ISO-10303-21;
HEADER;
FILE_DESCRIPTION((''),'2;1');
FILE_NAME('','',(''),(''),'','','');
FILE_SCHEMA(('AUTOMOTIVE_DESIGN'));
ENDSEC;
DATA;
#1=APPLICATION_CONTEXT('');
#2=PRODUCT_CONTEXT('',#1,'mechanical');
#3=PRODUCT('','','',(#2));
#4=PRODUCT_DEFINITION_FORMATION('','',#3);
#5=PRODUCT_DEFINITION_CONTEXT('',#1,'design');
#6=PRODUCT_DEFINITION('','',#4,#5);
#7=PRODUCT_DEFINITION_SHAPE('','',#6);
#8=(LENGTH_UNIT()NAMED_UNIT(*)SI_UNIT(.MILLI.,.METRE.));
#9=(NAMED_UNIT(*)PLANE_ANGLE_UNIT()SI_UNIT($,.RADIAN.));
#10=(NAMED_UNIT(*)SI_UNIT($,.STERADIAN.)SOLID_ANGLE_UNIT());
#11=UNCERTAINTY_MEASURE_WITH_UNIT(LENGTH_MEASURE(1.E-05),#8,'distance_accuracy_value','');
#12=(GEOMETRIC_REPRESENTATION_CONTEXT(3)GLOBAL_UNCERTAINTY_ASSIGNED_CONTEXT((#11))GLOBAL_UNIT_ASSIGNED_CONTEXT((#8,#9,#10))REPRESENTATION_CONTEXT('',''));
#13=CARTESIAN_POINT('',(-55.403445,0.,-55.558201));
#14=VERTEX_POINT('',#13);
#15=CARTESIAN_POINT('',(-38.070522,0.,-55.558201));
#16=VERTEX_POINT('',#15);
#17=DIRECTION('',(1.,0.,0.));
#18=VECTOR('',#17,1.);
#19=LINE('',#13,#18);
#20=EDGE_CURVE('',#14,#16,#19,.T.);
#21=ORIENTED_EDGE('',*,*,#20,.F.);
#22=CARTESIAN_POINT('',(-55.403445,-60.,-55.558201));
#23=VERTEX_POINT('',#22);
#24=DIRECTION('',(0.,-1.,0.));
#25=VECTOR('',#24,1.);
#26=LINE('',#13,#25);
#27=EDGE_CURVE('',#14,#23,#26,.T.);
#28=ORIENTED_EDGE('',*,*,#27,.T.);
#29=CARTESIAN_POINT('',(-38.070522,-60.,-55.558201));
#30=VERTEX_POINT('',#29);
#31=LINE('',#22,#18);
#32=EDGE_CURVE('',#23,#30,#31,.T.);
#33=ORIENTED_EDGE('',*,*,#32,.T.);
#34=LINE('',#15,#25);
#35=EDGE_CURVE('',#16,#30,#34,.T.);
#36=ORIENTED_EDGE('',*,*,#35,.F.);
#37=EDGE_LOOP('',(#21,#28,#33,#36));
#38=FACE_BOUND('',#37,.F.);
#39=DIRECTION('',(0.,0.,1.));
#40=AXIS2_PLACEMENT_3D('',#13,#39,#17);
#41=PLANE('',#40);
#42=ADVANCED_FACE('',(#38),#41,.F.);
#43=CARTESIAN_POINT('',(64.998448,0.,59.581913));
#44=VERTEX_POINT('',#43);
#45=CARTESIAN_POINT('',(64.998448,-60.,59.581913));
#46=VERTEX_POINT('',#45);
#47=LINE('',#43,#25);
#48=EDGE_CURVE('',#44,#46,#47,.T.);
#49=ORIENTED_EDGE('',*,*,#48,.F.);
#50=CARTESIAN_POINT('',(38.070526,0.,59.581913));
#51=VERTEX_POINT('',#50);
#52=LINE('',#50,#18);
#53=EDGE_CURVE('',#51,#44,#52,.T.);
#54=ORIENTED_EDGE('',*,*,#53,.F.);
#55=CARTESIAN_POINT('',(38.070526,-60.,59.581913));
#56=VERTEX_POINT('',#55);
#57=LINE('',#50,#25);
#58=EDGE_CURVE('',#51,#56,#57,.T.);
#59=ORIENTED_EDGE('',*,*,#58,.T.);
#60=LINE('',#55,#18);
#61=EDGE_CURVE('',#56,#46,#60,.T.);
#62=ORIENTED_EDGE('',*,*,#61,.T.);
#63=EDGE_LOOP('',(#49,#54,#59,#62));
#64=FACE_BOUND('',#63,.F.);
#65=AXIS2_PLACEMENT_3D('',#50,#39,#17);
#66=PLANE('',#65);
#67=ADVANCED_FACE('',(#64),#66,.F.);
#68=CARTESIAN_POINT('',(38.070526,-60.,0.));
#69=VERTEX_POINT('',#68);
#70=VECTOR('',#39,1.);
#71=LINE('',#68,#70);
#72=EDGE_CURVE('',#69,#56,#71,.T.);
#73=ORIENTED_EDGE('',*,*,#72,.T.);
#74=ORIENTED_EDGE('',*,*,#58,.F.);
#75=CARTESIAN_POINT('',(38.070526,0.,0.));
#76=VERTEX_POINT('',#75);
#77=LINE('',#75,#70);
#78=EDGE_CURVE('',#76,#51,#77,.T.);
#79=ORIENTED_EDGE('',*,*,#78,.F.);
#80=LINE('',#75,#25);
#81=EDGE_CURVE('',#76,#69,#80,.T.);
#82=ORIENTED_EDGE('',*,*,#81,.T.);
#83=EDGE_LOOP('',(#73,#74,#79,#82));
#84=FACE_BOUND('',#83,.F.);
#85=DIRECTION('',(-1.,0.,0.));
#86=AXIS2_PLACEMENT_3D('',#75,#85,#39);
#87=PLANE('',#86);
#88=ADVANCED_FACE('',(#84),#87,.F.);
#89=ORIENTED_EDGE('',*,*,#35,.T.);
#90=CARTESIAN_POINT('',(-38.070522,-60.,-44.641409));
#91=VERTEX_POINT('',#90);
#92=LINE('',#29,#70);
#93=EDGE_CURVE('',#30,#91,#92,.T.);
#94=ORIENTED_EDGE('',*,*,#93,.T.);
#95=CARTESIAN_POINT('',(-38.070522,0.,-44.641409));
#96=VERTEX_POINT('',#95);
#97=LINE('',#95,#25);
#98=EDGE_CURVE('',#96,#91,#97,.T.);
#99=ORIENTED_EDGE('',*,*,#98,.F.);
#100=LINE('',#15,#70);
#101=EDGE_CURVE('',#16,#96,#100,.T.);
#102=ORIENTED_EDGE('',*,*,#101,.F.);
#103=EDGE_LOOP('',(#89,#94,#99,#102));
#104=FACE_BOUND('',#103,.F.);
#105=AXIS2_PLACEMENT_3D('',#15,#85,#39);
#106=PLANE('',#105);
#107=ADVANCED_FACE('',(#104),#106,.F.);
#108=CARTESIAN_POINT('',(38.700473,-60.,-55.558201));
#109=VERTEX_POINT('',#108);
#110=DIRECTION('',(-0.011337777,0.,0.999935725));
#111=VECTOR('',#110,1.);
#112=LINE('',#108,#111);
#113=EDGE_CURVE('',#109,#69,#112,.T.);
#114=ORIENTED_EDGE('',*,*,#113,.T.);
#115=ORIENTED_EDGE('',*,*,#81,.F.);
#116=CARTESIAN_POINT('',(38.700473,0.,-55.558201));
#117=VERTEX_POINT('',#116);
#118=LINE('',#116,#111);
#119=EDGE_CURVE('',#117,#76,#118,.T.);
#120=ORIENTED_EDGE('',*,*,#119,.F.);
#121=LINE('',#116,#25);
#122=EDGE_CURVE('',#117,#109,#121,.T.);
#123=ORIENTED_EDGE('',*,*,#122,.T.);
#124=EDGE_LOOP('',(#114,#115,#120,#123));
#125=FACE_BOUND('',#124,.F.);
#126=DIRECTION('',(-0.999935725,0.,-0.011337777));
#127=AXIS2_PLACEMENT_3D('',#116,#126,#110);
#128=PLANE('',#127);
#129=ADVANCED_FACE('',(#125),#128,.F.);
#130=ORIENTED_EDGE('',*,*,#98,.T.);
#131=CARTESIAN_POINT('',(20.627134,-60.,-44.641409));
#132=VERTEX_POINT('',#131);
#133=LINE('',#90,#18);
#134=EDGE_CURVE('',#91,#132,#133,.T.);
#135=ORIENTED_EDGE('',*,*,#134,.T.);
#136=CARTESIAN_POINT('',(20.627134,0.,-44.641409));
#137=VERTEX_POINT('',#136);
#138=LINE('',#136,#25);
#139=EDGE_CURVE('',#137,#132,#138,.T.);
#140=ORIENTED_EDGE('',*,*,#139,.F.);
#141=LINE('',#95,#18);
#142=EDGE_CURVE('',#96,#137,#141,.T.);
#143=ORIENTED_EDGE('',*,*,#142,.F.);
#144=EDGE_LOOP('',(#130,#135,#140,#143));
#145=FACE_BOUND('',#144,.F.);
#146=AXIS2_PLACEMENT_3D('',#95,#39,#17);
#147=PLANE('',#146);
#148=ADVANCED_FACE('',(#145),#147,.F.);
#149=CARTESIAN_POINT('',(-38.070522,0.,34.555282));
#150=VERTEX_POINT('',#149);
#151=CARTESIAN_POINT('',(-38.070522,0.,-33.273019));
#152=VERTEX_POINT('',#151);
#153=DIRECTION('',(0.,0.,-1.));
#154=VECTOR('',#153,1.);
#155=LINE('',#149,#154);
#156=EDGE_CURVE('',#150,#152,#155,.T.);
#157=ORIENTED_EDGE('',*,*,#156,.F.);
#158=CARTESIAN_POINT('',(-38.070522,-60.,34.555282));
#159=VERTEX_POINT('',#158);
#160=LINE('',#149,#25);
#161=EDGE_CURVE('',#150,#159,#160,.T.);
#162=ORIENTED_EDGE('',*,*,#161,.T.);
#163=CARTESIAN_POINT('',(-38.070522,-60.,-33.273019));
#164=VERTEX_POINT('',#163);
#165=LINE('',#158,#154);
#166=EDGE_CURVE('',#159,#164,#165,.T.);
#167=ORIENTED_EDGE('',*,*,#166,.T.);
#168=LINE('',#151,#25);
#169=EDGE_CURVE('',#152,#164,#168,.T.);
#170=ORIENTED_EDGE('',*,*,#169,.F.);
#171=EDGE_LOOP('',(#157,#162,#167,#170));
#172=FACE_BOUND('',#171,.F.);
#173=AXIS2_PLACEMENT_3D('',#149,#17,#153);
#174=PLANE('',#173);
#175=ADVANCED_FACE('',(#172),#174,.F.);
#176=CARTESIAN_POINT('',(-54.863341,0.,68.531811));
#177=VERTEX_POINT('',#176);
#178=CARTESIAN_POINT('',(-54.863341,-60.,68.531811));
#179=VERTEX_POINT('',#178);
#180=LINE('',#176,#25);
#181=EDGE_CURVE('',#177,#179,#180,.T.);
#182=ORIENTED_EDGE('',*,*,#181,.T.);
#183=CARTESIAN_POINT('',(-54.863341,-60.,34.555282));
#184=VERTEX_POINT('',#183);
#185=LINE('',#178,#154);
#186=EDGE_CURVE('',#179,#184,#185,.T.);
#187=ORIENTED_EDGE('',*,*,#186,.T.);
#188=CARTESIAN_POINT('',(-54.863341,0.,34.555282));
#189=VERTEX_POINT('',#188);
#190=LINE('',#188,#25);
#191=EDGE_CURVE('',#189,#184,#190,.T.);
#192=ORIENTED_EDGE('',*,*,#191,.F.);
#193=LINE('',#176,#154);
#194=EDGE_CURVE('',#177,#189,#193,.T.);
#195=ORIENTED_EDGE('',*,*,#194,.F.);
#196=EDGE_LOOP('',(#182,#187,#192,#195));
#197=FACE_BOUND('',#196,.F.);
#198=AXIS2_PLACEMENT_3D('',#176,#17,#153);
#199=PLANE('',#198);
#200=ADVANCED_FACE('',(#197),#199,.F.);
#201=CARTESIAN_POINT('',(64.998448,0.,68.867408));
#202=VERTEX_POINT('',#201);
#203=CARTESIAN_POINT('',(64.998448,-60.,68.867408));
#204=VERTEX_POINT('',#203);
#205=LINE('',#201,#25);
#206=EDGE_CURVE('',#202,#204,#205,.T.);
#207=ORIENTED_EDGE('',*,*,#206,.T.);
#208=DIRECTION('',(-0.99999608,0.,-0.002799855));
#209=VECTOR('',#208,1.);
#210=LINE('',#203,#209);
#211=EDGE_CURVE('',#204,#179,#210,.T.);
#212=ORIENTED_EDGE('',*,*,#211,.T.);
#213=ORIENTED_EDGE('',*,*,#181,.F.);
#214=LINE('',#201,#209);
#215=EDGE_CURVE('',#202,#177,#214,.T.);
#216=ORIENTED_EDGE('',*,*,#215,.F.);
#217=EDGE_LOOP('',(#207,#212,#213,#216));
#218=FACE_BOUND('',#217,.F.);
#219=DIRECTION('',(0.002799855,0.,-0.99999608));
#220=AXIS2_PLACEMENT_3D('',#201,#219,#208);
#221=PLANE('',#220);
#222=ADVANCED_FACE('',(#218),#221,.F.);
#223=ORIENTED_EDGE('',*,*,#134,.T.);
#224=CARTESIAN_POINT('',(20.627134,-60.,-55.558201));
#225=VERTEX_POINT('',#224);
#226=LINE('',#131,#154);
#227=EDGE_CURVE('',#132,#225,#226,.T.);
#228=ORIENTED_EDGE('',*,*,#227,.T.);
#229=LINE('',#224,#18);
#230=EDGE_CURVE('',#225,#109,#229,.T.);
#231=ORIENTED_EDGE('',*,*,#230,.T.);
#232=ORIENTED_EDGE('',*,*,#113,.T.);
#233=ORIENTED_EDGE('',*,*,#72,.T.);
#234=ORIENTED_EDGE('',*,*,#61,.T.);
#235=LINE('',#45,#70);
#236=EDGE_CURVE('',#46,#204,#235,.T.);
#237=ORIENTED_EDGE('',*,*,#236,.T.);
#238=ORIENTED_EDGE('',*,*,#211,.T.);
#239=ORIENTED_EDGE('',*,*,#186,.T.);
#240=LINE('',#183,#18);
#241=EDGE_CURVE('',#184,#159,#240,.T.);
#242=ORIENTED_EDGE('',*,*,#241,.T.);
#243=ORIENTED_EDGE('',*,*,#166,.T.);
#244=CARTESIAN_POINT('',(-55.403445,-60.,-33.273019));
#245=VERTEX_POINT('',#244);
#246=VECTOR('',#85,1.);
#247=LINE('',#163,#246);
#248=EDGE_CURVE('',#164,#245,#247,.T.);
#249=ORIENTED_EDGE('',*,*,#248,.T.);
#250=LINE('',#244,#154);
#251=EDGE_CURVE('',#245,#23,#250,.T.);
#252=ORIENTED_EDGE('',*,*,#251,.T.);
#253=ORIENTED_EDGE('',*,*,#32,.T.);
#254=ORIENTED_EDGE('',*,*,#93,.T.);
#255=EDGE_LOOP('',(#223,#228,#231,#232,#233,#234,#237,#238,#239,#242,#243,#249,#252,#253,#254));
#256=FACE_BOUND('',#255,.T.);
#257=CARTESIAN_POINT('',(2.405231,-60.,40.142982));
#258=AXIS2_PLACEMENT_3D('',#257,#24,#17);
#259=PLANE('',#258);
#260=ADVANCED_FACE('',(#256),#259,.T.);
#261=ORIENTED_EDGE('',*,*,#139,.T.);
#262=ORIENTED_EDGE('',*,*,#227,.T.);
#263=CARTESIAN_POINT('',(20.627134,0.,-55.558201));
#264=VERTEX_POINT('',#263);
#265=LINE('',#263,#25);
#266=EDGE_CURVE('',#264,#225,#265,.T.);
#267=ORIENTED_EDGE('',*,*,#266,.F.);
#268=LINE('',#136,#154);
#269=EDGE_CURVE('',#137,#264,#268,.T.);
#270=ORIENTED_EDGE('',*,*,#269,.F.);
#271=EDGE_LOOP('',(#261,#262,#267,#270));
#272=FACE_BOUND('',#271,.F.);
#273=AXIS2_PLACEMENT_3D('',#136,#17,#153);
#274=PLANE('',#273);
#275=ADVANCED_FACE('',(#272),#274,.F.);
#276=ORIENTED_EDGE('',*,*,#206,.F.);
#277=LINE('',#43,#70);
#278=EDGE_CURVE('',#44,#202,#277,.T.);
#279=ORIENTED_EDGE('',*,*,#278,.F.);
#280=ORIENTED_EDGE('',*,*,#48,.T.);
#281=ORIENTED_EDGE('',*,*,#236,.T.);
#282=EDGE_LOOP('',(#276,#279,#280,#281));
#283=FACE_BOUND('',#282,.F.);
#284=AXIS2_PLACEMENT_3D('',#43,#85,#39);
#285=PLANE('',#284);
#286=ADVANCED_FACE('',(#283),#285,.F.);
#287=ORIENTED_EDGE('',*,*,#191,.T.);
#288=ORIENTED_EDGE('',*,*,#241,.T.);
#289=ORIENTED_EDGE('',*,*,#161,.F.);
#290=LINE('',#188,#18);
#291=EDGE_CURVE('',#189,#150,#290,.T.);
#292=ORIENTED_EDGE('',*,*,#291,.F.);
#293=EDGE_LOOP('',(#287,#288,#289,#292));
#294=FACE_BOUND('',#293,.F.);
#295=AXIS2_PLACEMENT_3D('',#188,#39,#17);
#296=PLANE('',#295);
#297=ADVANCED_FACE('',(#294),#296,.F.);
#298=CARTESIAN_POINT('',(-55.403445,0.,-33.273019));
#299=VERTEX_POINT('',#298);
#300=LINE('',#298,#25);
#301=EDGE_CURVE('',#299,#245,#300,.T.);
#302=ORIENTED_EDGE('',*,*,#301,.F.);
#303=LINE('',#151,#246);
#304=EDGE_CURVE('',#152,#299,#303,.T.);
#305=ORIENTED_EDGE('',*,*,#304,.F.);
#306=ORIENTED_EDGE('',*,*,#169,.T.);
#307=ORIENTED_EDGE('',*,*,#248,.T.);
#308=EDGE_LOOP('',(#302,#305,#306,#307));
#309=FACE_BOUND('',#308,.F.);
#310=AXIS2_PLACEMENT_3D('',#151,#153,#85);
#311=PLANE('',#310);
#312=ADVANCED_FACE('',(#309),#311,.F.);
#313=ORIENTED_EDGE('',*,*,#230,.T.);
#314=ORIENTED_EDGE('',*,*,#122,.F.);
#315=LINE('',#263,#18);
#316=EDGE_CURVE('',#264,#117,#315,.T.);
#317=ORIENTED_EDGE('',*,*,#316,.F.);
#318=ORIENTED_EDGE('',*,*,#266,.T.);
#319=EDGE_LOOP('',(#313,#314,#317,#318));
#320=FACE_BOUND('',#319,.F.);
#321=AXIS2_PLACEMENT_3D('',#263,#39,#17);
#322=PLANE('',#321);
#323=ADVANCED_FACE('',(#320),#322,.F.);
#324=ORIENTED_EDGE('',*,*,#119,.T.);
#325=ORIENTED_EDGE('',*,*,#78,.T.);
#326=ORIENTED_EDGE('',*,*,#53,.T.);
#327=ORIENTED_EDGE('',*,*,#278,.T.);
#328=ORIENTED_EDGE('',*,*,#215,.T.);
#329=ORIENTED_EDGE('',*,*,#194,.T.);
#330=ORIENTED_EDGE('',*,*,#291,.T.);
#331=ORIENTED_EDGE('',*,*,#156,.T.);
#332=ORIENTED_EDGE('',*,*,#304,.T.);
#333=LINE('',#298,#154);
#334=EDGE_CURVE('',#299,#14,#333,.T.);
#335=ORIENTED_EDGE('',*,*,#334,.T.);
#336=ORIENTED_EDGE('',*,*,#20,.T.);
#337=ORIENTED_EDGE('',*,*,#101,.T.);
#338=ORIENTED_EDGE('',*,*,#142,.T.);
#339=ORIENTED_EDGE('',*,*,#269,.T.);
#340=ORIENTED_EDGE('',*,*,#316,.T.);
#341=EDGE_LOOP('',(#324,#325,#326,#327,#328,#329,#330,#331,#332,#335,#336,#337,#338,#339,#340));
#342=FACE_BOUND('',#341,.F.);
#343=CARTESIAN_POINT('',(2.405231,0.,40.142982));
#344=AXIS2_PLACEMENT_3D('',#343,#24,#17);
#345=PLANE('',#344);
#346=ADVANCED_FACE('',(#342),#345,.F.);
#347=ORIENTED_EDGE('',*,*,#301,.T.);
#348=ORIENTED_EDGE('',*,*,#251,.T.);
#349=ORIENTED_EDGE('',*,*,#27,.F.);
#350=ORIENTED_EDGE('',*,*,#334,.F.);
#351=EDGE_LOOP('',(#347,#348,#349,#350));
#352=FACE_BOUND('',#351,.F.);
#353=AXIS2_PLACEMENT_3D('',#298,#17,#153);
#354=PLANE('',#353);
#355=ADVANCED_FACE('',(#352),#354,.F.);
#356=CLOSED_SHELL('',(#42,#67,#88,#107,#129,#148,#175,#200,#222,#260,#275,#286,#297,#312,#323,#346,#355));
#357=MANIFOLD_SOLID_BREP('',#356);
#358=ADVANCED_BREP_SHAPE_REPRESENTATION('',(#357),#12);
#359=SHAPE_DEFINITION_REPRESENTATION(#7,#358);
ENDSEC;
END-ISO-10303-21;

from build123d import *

# Parameters (mm, degrees)
F1_DEPTH = 60


with BuildPart() as f1:
    # F0 (on Front) → F1 (new body)
    with BuildSketch(Plane.XZ):
        Polygon((-38.070522, 0), (0, 0), (38.070526, 0), (38.070526, 59.581913), (64.998448, 59.581913), (64.998448, 68.867408), (-54.863341, 68.531811), (-54.863341, 34.555282), (-38.070522, 34.555282), align=None)
        Polygon((38.070526, 0), (0, 0), (-38.070522, 0), (-38.070522, -33.273019), (-55.403445, -33.273019), (-55.403445, -55.558201), (-38.070522, -55.558201), (-38.070522, -44.641409), (20.627134, -44.641409), (20.627134, -55.558201), (38.700473, -55.558201), align=None)
    extrude(amount=F1_DEPTH)


solid = f1.part
